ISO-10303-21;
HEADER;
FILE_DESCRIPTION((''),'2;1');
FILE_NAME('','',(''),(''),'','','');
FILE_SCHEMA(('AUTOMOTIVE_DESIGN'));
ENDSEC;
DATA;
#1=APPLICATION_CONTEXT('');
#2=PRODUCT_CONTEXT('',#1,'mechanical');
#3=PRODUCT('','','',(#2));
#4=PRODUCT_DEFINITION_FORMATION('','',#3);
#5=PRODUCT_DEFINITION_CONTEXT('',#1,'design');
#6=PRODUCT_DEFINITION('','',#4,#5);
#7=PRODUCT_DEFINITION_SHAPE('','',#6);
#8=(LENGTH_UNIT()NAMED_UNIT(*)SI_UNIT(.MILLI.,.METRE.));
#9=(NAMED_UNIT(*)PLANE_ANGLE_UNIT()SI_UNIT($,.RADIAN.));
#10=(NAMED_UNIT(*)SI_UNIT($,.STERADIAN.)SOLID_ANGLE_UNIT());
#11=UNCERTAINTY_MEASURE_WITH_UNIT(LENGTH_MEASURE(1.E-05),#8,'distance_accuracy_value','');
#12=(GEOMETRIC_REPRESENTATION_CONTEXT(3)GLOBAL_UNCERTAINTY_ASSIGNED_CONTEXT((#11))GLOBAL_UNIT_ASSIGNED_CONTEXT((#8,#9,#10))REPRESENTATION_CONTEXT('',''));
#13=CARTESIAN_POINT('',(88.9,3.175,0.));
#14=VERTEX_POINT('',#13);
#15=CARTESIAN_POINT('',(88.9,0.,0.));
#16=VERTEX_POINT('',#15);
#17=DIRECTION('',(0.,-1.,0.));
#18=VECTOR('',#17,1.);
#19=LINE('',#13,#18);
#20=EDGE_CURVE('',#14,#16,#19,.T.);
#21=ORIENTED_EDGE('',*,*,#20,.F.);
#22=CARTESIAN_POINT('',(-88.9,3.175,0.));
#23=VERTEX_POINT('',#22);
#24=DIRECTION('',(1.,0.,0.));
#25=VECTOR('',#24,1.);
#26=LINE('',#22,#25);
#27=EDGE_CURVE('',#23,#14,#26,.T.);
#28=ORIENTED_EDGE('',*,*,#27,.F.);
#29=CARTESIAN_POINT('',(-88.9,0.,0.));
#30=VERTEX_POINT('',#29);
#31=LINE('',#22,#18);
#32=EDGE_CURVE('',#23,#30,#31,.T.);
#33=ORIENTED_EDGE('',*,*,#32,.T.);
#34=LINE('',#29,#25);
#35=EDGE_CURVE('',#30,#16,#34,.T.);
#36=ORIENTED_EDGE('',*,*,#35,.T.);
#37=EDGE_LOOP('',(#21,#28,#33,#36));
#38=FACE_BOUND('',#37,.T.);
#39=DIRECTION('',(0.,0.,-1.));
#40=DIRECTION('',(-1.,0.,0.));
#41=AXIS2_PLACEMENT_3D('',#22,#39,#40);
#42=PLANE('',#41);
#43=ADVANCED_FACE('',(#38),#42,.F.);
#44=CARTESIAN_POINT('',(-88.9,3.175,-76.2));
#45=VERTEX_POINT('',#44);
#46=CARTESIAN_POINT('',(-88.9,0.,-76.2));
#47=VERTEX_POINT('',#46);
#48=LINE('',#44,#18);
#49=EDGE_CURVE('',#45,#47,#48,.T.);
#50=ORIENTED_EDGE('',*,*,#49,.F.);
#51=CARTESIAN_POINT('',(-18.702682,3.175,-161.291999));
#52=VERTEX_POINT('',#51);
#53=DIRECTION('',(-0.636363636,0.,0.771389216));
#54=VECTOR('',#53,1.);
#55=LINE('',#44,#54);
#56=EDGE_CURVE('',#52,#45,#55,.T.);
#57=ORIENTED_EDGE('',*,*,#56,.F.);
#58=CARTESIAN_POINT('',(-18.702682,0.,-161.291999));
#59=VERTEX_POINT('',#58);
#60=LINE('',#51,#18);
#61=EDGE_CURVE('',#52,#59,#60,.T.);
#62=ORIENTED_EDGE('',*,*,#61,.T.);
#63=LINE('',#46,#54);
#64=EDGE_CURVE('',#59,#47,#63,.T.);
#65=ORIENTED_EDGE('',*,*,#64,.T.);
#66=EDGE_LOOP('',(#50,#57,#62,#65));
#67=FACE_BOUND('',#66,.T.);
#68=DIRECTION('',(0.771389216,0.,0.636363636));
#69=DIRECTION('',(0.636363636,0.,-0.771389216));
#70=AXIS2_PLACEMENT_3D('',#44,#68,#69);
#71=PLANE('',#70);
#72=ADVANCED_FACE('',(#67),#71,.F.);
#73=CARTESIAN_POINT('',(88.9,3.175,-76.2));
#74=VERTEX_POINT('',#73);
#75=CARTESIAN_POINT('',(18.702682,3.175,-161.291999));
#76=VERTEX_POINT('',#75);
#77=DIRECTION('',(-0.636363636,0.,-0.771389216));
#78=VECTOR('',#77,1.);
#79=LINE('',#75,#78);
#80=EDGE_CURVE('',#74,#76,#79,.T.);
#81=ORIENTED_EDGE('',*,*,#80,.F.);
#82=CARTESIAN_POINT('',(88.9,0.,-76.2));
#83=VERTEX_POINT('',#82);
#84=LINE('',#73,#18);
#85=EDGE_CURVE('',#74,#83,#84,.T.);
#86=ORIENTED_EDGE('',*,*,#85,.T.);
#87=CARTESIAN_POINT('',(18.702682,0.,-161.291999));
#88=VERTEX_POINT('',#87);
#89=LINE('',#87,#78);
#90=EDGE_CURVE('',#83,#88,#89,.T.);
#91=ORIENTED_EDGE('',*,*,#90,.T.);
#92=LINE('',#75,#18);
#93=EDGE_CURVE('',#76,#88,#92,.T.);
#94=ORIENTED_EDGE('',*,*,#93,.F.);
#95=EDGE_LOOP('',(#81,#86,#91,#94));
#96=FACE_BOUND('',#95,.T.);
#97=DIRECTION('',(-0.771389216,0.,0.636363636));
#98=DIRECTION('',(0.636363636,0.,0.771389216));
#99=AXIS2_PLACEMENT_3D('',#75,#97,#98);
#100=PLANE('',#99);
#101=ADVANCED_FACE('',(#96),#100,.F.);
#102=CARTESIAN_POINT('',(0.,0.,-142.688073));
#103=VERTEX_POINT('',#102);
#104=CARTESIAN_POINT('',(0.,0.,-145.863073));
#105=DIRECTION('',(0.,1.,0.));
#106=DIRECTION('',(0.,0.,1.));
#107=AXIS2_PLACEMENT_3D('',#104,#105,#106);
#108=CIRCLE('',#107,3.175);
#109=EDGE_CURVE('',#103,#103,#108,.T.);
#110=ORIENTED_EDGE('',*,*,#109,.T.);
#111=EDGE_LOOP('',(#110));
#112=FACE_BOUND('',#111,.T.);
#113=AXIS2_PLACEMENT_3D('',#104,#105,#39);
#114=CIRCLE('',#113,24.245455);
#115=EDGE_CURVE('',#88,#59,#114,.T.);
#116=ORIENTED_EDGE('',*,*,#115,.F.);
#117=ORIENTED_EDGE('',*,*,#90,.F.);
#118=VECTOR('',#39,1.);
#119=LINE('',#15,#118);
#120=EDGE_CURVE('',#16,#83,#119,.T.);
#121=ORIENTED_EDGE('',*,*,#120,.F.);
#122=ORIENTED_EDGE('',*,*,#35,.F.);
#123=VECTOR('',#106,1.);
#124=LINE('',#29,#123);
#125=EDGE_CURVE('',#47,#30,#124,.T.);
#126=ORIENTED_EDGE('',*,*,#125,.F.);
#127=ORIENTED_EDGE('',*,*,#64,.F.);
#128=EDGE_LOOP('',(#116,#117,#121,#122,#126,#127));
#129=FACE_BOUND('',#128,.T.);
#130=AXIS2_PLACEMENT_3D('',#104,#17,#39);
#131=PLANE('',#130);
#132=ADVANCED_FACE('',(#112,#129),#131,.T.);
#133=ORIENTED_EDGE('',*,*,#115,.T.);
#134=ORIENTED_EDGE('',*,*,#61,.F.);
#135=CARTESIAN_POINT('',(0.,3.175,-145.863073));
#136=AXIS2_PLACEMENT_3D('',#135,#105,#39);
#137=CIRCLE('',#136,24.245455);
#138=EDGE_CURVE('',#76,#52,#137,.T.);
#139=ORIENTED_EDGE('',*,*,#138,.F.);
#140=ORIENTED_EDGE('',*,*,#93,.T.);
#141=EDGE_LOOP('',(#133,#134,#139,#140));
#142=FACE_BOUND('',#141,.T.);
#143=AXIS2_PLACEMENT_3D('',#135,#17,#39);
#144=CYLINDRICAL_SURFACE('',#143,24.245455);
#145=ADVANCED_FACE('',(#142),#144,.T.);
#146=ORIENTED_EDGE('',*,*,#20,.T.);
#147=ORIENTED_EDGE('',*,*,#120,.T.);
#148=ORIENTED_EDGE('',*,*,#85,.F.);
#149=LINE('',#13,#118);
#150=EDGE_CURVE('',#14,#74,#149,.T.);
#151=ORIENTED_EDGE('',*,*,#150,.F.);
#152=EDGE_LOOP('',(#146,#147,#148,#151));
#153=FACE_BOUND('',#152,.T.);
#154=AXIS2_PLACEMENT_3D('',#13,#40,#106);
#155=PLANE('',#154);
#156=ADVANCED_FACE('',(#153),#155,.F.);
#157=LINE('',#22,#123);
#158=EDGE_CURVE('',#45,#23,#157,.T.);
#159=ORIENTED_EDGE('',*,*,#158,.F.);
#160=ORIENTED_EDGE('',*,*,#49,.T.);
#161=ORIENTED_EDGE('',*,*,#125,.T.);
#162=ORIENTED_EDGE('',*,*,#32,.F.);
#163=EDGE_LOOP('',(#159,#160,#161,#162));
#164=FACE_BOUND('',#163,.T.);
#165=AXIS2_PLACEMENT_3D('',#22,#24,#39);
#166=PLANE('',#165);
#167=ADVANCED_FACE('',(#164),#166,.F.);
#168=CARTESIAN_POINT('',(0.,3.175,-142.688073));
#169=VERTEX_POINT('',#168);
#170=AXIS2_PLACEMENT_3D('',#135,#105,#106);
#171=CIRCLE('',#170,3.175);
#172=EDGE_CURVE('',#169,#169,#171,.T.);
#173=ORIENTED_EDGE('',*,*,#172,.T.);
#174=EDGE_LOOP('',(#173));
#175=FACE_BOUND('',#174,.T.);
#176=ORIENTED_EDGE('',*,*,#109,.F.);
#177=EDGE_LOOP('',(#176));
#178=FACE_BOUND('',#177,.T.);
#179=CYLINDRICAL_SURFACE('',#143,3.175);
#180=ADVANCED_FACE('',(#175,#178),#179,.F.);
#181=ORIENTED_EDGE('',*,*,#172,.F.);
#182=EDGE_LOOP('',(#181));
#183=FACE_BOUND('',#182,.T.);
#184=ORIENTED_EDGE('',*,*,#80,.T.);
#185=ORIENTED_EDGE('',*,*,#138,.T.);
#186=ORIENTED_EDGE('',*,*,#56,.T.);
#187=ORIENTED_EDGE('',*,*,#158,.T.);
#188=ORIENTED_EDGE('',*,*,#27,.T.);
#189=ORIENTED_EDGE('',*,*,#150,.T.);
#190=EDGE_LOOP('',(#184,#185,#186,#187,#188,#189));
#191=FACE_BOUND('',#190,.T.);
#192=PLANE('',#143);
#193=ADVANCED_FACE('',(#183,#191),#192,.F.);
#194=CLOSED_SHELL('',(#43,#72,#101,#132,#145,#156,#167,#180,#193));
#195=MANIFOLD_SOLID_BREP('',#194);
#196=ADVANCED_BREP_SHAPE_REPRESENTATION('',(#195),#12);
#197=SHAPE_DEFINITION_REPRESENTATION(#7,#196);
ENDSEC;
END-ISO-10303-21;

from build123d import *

# Parameters (mm, degrees)
SKETCH1_R           = 3.175
BOSS_EXTRUDE1_DEPTH = 3.175


with BuildPart() as part:
    # Sketch1 → Boss-Extrude1 (new body)
    with BuildSketch(Plane(origin=(0, 0, 0), x_dir=(1, 0, 0), z_dir=(0, 1, 0))):
        with BuildLine():
            Line((-88.9, 0), (88.9, 0))
            Line((88.9, 0), (88.9, 76.2))
            Line((88.9, 76.2), (18.702682169, 161.291999073))
            ThreePointArc((18.702682169, 161.291999073), (0, 170.108527998), (-18.702682169, 161.291999073))
            Line((-18.702682169, 161.291999073), (-88.9, 76.2))
            Line((-88.9, 76.2), (-88.9, 0))
        make_face()
        with Locations(Location((0, 145.863073453, 0), (0, 0, 270))):
            Circle(SKETCH1_R, mode=Mode.SUBTRACT)
    extrude(amount=BOSS_EXTRUDE1_DEPTH)


solid = part.part
